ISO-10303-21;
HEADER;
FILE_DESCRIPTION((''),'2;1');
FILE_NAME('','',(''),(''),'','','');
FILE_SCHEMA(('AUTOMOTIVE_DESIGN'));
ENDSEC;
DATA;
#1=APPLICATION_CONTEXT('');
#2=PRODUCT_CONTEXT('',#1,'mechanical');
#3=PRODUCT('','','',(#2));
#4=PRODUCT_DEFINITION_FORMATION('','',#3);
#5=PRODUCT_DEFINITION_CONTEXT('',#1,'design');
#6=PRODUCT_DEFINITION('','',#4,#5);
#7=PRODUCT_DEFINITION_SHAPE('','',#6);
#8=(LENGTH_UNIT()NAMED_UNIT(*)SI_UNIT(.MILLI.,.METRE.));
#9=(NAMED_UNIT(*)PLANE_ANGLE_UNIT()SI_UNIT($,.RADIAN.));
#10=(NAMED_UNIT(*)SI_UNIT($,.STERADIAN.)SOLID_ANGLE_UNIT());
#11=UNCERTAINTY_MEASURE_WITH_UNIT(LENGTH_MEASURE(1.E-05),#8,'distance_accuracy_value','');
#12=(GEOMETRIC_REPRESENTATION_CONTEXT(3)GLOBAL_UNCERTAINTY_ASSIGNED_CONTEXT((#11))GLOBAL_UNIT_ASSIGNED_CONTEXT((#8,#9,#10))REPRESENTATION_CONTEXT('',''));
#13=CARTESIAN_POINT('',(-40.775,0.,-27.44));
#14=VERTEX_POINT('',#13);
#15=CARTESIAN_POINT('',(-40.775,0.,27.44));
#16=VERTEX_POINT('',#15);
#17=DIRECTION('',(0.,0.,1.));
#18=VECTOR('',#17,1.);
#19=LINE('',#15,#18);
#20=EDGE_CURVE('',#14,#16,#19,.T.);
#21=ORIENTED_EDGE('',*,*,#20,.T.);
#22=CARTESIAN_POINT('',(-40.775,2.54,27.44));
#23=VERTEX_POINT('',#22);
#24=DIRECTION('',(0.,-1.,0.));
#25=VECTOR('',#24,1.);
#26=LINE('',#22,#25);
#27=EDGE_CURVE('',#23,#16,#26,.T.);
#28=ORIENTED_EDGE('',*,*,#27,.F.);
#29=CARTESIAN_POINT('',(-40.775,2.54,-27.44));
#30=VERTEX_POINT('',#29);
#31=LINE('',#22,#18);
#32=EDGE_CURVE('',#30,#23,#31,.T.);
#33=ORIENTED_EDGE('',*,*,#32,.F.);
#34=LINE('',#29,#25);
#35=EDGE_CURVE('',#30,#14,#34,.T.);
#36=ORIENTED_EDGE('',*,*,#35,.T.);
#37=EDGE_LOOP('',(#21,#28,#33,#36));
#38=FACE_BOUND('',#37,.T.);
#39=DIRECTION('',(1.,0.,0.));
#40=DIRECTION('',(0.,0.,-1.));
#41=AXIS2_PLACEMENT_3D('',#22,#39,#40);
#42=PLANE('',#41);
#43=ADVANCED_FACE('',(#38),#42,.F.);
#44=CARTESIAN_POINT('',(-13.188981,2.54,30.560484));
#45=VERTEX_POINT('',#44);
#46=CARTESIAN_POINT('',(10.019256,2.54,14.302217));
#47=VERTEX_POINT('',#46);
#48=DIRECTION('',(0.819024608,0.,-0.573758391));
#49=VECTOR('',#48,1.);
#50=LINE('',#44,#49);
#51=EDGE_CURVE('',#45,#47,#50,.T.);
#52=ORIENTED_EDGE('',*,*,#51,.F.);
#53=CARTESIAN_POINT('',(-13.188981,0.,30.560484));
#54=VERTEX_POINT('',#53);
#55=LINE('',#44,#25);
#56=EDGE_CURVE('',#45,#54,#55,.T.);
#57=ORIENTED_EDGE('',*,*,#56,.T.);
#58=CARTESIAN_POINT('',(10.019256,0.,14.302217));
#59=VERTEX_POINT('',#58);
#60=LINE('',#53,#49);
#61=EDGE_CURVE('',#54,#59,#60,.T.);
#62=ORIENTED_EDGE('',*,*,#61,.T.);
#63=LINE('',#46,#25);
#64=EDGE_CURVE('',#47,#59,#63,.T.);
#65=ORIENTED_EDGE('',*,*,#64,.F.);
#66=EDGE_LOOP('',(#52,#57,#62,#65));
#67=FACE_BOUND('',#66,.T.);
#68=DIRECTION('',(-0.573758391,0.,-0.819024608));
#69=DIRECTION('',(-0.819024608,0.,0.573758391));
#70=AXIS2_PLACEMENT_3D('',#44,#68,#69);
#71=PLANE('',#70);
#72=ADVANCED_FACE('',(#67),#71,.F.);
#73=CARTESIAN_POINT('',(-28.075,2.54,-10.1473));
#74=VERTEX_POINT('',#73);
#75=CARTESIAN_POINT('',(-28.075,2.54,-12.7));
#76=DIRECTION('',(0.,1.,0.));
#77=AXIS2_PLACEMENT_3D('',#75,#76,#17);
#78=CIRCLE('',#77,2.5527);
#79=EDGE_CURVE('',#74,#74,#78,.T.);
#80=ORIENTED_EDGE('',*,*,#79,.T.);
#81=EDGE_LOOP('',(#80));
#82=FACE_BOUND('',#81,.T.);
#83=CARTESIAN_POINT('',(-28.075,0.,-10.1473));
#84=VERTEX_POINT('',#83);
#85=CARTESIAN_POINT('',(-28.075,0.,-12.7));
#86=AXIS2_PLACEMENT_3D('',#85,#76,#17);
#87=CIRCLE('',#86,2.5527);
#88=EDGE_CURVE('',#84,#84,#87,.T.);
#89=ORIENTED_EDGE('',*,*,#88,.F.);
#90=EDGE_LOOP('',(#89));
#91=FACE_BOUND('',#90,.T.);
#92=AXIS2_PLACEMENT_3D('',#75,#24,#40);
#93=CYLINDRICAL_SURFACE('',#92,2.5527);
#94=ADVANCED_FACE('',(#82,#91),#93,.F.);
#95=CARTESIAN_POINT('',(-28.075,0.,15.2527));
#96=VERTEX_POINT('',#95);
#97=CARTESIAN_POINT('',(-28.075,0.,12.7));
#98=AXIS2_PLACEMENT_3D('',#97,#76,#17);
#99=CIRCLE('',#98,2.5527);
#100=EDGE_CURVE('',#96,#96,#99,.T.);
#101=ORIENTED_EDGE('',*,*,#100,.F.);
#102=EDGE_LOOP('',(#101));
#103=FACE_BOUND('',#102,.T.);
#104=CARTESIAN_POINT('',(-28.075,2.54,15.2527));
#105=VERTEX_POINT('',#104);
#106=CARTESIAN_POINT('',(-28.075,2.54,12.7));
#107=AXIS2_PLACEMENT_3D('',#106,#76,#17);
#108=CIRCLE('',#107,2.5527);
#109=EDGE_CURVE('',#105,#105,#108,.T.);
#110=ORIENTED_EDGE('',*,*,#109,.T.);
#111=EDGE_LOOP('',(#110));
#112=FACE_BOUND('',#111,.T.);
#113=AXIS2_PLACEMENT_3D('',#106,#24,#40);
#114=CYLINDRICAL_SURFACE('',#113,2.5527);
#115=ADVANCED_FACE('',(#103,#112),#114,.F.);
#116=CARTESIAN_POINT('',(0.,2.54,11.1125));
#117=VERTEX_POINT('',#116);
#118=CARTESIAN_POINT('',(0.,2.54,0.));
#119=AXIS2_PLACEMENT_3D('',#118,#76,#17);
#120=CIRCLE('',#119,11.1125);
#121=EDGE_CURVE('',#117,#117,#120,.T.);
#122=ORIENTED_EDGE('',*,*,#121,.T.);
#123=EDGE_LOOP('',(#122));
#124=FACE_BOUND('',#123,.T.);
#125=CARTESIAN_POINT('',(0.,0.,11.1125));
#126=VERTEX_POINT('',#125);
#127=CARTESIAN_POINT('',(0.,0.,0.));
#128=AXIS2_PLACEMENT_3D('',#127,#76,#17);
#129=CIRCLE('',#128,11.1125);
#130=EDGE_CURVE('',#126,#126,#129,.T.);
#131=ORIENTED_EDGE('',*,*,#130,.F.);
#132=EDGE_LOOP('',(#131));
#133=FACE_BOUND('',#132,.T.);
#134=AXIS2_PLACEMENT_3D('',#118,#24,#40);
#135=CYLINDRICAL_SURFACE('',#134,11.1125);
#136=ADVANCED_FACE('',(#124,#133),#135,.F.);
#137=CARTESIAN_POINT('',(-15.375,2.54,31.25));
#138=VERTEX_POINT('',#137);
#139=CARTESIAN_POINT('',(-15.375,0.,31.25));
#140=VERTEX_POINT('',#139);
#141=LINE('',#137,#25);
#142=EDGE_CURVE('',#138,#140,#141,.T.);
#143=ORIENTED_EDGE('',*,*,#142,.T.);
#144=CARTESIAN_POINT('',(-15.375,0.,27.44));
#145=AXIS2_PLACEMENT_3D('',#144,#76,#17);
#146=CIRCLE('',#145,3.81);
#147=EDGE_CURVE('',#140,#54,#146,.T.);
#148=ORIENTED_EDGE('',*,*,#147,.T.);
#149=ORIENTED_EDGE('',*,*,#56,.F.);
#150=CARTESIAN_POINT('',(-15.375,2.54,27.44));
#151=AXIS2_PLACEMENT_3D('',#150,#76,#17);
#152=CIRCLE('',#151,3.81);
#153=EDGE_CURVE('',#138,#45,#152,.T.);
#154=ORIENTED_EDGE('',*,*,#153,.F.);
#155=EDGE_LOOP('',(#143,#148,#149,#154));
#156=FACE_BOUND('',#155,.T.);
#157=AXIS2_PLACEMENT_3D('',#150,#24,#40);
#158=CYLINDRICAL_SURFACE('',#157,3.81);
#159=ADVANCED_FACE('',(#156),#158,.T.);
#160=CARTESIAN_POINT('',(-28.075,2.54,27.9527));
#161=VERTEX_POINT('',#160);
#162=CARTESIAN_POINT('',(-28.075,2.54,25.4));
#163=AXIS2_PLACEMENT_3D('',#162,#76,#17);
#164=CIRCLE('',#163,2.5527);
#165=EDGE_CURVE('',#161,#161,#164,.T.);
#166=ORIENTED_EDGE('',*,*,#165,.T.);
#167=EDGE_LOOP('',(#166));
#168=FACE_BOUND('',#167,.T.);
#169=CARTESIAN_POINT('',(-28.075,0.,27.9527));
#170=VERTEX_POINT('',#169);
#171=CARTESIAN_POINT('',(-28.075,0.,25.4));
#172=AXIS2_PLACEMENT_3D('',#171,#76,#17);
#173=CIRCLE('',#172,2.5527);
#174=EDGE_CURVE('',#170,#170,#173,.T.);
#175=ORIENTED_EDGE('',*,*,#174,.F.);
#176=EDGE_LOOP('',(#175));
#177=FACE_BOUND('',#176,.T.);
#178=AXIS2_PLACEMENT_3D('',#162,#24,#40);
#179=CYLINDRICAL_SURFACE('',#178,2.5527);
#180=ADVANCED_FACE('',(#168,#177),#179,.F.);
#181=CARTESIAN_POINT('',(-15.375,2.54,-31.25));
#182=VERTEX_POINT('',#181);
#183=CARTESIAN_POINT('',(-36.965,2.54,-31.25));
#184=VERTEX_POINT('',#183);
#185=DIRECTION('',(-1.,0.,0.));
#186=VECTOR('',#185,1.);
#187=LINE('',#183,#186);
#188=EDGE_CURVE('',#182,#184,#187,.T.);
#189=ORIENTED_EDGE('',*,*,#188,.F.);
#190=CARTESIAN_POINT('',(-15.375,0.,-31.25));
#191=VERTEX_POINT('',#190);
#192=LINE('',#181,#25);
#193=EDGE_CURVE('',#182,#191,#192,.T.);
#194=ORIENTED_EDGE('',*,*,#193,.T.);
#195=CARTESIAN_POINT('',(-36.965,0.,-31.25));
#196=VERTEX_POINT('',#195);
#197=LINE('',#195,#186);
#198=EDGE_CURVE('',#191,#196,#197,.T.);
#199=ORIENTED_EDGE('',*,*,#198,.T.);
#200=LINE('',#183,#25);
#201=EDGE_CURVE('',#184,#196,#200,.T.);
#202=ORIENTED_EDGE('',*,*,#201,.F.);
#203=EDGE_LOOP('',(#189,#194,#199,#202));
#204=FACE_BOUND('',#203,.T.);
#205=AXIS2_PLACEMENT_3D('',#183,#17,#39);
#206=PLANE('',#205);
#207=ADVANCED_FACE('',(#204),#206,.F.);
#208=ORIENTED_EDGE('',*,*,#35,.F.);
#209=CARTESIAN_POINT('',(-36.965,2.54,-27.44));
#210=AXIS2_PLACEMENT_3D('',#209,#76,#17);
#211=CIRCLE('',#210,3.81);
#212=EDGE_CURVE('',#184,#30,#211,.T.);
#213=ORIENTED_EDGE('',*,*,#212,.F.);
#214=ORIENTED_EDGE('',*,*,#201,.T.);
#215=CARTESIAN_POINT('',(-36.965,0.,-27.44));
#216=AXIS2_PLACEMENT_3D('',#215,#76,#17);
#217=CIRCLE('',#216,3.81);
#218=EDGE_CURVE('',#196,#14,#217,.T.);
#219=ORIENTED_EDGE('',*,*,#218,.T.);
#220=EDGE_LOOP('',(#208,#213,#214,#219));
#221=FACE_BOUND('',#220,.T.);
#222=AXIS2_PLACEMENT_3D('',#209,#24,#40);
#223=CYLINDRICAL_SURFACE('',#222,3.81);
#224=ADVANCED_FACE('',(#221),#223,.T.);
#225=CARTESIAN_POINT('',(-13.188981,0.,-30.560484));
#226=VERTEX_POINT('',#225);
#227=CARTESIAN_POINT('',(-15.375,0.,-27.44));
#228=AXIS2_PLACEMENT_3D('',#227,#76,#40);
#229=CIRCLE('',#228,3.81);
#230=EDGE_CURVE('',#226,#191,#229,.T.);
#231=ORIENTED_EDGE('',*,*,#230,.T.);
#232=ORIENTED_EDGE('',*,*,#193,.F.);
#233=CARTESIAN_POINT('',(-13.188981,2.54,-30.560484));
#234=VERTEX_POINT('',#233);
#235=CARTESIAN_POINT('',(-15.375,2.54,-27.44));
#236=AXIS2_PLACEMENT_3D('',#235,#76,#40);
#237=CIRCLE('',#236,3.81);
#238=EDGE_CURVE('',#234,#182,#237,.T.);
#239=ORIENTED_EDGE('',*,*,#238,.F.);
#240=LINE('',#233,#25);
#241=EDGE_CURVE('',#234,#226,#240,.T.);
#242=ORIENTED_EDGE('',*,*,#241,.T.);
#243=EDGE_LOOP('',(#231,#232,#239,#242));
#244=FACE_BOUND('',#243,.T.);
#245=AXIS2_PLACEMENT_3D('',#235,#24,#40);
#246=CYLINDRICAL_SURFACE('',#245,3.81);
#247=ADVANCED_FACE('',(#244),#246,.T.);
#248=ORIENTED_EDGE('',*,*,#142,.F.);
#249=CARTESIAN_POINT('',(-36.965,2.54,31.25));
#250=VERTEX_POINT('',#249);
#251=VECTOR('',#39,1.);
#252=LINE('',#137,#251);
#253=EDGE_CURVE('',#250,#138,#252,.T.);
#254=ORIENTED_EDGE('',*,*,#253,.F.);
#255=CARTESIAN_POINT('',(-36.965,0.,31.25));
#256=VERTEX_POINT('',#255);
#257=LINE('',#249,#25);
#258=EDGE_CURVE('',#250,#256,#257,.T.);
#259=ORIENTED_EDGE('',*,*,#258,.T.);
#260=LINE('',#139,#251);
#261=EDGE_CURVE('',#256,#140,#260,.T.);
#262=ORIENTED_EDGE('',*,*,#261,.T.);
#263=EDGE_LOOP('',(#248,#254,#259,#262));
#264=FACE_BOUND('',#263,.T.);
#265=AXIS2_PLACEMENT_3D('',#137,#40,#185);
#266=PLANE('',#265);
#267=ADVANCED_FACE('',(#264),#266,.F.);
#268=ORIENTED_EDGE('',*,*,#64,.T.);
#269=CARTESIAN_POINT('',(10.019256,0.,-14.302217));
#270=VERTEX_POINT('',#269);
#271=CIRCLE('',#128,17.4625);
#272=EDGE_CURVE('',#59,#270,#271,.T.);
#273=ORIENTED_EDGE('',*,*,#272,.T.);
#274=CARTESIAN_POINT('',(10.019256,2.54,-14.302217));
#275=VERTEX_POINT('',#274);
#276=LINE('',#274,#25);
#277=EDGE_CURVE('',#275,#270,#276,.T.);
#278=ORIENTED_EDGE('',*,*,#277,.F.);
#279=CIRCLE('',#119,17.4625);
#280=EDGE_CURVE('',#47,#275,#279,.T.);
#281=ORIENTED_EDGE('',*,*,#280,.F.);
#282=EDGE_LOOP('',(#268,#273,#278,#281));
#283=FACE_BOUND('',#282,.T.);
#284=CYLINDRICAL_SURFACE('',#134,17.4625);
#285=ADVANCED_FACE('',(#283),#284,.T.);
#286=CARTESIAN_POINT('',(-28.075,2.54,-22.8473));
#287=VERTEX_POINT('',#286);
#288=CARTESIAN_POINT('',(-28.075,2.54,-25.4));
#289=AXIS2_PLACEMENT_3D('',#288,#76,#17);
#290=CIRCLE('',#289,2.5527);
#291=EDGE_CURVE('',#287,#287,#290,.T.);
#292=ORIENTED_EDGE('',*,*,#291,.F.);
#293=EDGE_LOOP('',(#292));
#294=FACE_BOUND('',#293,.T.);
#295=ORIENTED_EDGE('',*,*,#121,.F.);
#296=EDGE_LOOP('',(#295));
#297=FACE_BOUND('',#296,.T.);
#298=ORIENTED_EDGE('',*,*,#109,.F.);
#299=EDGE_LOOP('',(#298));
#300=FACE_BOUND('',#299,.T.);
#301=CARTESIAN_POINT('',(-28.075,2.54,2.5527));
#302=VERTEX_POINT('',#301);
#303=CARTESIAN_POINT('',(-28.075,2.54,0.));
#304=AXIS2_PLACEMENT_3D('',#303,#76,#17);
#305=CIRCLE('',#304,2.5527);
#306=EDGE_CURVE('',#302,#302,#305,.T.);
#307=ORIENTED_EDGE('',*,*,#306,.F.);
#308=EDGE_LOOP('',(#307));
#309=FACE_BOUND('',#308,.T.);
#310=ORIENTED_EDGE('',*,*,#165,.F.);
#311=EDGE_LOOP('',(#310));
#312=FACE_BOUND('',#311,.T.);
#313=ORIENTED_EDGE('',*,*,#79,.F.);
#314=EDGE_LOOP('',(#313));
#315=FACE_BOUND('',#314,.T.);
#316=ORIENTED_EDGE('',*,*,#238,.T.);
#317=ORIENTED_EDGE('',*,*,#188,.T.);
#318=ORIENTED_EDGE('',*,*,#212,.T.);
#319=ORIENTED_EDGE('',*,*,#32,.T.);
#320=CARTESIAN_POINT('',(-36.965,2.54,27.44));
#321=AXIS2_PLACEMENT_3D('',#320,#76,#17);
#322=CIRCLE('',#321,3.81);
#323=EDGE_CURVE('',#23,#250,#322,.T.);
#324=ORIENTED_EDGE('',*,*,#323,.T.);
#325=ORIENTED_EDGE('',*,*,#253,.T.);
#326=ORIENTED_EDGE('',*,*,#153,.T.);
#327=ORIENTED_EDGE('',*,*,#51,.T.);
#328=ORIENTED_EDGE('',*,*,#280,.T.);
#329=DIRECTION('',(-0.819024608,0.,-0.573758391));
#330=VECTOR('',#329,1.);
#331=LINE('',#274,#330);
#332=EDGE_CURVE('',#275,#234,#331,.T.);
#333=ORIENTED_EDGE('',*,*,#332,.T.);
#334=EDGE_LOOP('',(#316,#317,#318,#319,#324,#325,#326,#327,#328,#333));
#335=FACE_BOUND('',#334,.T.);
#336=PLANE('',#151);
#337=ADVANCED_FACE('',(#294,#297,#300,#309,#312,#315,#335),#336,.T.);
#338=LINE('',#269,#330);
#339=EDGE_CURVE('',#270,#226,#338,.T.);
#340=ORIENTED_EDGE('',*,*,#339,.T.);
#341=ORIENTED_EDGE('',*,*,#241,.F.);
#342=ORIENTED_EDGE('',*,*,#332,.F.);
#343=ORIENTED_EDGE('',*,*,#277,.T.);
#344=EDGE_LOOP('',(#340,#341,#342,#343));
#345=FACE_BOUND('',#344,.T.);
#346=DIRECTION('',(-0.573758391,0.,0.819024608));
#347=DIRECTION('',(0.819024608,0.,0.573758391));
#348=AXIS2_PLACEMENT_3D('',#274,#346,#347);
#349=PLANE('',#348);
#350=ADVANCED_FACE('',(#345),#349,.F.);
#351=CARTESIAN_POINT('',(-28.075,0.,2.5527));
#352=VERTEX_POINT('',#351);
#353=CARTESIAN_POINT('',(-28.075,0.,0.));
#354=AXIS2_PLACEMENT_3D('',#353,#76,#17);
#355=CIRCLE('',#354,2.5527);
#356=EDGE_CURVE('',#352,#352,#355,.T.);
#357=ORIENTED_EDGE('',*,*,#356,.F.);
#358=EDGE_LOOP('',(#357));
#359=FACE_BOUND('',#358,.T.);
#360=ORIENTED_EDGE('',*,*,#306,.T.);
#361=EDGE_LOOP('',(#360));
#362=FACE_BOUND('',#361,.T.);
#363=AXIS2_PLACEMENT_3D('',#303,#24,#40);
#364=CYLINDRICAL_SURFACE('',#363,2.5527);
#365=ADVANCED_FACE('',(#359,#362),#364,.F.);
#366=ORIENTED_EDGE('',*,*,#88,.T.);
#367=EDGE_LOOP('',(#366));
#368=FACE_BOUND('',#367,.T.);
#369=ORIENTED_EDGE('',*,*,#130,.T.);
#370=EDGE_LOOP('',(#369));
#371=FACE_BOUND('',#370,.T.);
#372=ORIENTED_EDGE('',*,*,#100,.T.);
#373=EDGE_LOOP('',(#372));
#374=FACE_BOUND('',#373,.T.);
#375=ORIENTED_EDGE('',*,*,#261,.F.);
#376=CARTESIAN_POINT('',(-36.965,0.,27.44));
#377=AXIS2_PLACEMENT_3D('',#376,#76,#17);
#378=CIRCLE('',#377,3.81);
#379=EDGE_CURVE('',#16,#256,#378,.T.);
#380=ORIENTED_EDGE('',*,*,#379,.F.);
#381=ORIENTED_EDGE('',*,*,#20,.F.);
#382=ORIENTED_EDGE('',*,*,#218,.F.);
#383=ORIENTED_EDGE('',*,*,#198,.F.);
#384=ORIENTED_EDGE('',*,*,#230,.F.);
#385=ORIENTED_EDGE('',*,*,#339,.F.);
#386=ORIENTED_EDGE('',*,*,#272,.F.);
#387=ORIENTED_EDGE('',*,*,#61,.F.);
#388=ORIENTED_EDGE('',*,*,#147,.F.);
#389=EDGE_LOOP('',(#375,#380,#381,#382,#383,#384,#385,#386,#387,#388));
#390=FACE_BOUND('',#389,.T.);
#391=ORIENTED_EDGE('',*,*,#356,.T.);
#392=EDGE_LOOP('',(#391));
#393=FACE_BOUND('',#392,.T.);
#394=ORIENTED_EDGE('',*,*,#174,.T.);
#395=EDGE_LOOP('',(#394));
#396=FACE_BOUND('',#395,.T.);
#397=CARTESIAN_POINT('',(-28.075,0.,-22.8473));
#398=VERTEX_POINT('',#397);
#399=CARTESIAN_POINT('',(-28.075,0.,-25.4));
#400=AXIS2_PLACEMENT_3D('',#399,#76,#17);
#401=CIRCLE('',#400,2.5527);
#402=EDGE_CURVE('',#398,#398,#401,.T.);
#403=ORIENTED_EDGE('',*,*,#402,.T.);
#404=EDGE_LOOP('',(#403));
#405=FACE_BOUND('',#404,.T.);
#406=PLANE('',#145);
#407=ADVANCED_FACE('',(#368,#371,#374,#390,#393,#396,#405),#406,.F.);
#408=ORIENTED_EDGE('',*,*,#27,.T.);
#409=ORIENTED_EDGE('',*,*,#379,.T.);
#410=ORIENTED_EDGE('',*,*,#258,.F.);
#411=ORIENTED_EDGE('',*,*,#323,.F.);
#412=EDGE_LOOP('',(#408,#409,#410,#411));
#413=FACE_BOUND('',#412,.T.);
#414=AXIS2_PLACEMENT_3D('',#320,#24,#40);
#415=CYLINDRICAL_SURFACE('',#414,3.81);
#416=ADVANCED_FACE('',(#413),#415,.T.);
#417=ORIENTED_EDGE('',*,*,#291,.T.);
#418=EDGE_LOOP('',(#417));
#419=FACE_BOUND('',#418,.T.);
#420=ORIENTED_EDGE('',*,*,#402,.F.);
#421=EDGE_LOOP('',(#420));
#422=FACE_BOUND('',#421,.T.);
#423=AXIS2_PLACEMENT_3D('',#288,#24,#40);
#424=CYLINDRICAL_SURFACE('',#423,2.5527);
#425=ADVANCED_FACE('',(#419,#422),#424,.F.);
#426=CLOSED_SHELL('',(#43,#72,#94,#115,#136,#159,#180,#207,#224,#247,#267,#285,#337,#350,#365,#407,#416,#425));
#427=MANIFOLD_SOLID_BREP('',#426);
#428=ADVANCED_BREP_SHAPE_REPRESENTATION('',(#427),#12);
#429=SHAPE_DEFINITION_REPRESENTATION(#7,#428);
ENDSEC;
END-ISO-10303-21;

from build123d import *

# Parameters (mm, degrees)
SKETCH1_R           = 11.1125
SKETCH1_R_2         = 2.5527
BOSS_EXTRUDE1_DEPTH = 2.54


with BuildPart() as part:
    # Sketch1 → Boss-Extrude1 (new body)
    with BuildSketch(Plane(origin=(0, 0, 0), x_dir=(1, 0, 0), z_dir=(0, 1, 0))):
        with BuildLine():
            Line((-40.775, -27.44), (-40.775, 27.44))
            ThreePointArc((-40.775, 27.44), (-39.659076836, 30.134076836), (-36.965, 31.25))
            Line((-36.965, 31.25), (-15.375, 31.25))
            ThreePointArc((-15.375, 31.25), (-14.228907316, 31.073534307), (-13.188980532, 30.560483758))
            Line((-13.188980532, 30.560483758), (10.019255896, 14.302217225))
            ThreePointArc((10.019255896, 14.302217225), (17.4625, 0), (10.019255896, -14.302217225))
            Line((10.019255896, -14.302217225), (-13.188980532, -30.560483758))
            ThreePointArc((-13.188980532, -30.560483758), (-14.228907316, -31.073534307), (-15.375, -31.25))
            Line((-15.375, -31.25), (-36.965, -31.25))
            ThreePointArc((-36.965, -31.25), (-39.659076836, -30.134076836), (-40.775, -27.44))
        make_face()
        with Locations(Location((0, 0, 0), (0, 0, 270))):
            Circle(SKETCH1_R, mode=Mode.SUBTRACT)
        with Locations(Location((-28.075, 25.4, 0), (0, 0, 270))):
            Circle(SKETCH1_R_2, mode=Mode.SUBTRACT)
        with Locations(Location((-28.075, 12.7, 0), (0, 0, 270))):
            Circle(SKETCH1_R_2, mode=Mode.SUBTRACT)
        with Locations(Location((-28.075, 0, 0), (0, 0, 270))):
            Circle(SKETCH1_R_2, mode=Mode.SUBTRACT)
        with Locations(Location((-28.075, -12.7, 0), (0, 0, 270))):
            Circle(SKETCH1_R_2, mode=Mode.SUBTRACT)
        with Locations(Location((-28.075, -25.4, 0), (0, 0, 270))):
            Circle(SKETCH1_R_2, mode=Mode.SUBTRACT)
    extrude(amount=BOSS_EXTRUDE1_DEPTH)


solid = part.part
